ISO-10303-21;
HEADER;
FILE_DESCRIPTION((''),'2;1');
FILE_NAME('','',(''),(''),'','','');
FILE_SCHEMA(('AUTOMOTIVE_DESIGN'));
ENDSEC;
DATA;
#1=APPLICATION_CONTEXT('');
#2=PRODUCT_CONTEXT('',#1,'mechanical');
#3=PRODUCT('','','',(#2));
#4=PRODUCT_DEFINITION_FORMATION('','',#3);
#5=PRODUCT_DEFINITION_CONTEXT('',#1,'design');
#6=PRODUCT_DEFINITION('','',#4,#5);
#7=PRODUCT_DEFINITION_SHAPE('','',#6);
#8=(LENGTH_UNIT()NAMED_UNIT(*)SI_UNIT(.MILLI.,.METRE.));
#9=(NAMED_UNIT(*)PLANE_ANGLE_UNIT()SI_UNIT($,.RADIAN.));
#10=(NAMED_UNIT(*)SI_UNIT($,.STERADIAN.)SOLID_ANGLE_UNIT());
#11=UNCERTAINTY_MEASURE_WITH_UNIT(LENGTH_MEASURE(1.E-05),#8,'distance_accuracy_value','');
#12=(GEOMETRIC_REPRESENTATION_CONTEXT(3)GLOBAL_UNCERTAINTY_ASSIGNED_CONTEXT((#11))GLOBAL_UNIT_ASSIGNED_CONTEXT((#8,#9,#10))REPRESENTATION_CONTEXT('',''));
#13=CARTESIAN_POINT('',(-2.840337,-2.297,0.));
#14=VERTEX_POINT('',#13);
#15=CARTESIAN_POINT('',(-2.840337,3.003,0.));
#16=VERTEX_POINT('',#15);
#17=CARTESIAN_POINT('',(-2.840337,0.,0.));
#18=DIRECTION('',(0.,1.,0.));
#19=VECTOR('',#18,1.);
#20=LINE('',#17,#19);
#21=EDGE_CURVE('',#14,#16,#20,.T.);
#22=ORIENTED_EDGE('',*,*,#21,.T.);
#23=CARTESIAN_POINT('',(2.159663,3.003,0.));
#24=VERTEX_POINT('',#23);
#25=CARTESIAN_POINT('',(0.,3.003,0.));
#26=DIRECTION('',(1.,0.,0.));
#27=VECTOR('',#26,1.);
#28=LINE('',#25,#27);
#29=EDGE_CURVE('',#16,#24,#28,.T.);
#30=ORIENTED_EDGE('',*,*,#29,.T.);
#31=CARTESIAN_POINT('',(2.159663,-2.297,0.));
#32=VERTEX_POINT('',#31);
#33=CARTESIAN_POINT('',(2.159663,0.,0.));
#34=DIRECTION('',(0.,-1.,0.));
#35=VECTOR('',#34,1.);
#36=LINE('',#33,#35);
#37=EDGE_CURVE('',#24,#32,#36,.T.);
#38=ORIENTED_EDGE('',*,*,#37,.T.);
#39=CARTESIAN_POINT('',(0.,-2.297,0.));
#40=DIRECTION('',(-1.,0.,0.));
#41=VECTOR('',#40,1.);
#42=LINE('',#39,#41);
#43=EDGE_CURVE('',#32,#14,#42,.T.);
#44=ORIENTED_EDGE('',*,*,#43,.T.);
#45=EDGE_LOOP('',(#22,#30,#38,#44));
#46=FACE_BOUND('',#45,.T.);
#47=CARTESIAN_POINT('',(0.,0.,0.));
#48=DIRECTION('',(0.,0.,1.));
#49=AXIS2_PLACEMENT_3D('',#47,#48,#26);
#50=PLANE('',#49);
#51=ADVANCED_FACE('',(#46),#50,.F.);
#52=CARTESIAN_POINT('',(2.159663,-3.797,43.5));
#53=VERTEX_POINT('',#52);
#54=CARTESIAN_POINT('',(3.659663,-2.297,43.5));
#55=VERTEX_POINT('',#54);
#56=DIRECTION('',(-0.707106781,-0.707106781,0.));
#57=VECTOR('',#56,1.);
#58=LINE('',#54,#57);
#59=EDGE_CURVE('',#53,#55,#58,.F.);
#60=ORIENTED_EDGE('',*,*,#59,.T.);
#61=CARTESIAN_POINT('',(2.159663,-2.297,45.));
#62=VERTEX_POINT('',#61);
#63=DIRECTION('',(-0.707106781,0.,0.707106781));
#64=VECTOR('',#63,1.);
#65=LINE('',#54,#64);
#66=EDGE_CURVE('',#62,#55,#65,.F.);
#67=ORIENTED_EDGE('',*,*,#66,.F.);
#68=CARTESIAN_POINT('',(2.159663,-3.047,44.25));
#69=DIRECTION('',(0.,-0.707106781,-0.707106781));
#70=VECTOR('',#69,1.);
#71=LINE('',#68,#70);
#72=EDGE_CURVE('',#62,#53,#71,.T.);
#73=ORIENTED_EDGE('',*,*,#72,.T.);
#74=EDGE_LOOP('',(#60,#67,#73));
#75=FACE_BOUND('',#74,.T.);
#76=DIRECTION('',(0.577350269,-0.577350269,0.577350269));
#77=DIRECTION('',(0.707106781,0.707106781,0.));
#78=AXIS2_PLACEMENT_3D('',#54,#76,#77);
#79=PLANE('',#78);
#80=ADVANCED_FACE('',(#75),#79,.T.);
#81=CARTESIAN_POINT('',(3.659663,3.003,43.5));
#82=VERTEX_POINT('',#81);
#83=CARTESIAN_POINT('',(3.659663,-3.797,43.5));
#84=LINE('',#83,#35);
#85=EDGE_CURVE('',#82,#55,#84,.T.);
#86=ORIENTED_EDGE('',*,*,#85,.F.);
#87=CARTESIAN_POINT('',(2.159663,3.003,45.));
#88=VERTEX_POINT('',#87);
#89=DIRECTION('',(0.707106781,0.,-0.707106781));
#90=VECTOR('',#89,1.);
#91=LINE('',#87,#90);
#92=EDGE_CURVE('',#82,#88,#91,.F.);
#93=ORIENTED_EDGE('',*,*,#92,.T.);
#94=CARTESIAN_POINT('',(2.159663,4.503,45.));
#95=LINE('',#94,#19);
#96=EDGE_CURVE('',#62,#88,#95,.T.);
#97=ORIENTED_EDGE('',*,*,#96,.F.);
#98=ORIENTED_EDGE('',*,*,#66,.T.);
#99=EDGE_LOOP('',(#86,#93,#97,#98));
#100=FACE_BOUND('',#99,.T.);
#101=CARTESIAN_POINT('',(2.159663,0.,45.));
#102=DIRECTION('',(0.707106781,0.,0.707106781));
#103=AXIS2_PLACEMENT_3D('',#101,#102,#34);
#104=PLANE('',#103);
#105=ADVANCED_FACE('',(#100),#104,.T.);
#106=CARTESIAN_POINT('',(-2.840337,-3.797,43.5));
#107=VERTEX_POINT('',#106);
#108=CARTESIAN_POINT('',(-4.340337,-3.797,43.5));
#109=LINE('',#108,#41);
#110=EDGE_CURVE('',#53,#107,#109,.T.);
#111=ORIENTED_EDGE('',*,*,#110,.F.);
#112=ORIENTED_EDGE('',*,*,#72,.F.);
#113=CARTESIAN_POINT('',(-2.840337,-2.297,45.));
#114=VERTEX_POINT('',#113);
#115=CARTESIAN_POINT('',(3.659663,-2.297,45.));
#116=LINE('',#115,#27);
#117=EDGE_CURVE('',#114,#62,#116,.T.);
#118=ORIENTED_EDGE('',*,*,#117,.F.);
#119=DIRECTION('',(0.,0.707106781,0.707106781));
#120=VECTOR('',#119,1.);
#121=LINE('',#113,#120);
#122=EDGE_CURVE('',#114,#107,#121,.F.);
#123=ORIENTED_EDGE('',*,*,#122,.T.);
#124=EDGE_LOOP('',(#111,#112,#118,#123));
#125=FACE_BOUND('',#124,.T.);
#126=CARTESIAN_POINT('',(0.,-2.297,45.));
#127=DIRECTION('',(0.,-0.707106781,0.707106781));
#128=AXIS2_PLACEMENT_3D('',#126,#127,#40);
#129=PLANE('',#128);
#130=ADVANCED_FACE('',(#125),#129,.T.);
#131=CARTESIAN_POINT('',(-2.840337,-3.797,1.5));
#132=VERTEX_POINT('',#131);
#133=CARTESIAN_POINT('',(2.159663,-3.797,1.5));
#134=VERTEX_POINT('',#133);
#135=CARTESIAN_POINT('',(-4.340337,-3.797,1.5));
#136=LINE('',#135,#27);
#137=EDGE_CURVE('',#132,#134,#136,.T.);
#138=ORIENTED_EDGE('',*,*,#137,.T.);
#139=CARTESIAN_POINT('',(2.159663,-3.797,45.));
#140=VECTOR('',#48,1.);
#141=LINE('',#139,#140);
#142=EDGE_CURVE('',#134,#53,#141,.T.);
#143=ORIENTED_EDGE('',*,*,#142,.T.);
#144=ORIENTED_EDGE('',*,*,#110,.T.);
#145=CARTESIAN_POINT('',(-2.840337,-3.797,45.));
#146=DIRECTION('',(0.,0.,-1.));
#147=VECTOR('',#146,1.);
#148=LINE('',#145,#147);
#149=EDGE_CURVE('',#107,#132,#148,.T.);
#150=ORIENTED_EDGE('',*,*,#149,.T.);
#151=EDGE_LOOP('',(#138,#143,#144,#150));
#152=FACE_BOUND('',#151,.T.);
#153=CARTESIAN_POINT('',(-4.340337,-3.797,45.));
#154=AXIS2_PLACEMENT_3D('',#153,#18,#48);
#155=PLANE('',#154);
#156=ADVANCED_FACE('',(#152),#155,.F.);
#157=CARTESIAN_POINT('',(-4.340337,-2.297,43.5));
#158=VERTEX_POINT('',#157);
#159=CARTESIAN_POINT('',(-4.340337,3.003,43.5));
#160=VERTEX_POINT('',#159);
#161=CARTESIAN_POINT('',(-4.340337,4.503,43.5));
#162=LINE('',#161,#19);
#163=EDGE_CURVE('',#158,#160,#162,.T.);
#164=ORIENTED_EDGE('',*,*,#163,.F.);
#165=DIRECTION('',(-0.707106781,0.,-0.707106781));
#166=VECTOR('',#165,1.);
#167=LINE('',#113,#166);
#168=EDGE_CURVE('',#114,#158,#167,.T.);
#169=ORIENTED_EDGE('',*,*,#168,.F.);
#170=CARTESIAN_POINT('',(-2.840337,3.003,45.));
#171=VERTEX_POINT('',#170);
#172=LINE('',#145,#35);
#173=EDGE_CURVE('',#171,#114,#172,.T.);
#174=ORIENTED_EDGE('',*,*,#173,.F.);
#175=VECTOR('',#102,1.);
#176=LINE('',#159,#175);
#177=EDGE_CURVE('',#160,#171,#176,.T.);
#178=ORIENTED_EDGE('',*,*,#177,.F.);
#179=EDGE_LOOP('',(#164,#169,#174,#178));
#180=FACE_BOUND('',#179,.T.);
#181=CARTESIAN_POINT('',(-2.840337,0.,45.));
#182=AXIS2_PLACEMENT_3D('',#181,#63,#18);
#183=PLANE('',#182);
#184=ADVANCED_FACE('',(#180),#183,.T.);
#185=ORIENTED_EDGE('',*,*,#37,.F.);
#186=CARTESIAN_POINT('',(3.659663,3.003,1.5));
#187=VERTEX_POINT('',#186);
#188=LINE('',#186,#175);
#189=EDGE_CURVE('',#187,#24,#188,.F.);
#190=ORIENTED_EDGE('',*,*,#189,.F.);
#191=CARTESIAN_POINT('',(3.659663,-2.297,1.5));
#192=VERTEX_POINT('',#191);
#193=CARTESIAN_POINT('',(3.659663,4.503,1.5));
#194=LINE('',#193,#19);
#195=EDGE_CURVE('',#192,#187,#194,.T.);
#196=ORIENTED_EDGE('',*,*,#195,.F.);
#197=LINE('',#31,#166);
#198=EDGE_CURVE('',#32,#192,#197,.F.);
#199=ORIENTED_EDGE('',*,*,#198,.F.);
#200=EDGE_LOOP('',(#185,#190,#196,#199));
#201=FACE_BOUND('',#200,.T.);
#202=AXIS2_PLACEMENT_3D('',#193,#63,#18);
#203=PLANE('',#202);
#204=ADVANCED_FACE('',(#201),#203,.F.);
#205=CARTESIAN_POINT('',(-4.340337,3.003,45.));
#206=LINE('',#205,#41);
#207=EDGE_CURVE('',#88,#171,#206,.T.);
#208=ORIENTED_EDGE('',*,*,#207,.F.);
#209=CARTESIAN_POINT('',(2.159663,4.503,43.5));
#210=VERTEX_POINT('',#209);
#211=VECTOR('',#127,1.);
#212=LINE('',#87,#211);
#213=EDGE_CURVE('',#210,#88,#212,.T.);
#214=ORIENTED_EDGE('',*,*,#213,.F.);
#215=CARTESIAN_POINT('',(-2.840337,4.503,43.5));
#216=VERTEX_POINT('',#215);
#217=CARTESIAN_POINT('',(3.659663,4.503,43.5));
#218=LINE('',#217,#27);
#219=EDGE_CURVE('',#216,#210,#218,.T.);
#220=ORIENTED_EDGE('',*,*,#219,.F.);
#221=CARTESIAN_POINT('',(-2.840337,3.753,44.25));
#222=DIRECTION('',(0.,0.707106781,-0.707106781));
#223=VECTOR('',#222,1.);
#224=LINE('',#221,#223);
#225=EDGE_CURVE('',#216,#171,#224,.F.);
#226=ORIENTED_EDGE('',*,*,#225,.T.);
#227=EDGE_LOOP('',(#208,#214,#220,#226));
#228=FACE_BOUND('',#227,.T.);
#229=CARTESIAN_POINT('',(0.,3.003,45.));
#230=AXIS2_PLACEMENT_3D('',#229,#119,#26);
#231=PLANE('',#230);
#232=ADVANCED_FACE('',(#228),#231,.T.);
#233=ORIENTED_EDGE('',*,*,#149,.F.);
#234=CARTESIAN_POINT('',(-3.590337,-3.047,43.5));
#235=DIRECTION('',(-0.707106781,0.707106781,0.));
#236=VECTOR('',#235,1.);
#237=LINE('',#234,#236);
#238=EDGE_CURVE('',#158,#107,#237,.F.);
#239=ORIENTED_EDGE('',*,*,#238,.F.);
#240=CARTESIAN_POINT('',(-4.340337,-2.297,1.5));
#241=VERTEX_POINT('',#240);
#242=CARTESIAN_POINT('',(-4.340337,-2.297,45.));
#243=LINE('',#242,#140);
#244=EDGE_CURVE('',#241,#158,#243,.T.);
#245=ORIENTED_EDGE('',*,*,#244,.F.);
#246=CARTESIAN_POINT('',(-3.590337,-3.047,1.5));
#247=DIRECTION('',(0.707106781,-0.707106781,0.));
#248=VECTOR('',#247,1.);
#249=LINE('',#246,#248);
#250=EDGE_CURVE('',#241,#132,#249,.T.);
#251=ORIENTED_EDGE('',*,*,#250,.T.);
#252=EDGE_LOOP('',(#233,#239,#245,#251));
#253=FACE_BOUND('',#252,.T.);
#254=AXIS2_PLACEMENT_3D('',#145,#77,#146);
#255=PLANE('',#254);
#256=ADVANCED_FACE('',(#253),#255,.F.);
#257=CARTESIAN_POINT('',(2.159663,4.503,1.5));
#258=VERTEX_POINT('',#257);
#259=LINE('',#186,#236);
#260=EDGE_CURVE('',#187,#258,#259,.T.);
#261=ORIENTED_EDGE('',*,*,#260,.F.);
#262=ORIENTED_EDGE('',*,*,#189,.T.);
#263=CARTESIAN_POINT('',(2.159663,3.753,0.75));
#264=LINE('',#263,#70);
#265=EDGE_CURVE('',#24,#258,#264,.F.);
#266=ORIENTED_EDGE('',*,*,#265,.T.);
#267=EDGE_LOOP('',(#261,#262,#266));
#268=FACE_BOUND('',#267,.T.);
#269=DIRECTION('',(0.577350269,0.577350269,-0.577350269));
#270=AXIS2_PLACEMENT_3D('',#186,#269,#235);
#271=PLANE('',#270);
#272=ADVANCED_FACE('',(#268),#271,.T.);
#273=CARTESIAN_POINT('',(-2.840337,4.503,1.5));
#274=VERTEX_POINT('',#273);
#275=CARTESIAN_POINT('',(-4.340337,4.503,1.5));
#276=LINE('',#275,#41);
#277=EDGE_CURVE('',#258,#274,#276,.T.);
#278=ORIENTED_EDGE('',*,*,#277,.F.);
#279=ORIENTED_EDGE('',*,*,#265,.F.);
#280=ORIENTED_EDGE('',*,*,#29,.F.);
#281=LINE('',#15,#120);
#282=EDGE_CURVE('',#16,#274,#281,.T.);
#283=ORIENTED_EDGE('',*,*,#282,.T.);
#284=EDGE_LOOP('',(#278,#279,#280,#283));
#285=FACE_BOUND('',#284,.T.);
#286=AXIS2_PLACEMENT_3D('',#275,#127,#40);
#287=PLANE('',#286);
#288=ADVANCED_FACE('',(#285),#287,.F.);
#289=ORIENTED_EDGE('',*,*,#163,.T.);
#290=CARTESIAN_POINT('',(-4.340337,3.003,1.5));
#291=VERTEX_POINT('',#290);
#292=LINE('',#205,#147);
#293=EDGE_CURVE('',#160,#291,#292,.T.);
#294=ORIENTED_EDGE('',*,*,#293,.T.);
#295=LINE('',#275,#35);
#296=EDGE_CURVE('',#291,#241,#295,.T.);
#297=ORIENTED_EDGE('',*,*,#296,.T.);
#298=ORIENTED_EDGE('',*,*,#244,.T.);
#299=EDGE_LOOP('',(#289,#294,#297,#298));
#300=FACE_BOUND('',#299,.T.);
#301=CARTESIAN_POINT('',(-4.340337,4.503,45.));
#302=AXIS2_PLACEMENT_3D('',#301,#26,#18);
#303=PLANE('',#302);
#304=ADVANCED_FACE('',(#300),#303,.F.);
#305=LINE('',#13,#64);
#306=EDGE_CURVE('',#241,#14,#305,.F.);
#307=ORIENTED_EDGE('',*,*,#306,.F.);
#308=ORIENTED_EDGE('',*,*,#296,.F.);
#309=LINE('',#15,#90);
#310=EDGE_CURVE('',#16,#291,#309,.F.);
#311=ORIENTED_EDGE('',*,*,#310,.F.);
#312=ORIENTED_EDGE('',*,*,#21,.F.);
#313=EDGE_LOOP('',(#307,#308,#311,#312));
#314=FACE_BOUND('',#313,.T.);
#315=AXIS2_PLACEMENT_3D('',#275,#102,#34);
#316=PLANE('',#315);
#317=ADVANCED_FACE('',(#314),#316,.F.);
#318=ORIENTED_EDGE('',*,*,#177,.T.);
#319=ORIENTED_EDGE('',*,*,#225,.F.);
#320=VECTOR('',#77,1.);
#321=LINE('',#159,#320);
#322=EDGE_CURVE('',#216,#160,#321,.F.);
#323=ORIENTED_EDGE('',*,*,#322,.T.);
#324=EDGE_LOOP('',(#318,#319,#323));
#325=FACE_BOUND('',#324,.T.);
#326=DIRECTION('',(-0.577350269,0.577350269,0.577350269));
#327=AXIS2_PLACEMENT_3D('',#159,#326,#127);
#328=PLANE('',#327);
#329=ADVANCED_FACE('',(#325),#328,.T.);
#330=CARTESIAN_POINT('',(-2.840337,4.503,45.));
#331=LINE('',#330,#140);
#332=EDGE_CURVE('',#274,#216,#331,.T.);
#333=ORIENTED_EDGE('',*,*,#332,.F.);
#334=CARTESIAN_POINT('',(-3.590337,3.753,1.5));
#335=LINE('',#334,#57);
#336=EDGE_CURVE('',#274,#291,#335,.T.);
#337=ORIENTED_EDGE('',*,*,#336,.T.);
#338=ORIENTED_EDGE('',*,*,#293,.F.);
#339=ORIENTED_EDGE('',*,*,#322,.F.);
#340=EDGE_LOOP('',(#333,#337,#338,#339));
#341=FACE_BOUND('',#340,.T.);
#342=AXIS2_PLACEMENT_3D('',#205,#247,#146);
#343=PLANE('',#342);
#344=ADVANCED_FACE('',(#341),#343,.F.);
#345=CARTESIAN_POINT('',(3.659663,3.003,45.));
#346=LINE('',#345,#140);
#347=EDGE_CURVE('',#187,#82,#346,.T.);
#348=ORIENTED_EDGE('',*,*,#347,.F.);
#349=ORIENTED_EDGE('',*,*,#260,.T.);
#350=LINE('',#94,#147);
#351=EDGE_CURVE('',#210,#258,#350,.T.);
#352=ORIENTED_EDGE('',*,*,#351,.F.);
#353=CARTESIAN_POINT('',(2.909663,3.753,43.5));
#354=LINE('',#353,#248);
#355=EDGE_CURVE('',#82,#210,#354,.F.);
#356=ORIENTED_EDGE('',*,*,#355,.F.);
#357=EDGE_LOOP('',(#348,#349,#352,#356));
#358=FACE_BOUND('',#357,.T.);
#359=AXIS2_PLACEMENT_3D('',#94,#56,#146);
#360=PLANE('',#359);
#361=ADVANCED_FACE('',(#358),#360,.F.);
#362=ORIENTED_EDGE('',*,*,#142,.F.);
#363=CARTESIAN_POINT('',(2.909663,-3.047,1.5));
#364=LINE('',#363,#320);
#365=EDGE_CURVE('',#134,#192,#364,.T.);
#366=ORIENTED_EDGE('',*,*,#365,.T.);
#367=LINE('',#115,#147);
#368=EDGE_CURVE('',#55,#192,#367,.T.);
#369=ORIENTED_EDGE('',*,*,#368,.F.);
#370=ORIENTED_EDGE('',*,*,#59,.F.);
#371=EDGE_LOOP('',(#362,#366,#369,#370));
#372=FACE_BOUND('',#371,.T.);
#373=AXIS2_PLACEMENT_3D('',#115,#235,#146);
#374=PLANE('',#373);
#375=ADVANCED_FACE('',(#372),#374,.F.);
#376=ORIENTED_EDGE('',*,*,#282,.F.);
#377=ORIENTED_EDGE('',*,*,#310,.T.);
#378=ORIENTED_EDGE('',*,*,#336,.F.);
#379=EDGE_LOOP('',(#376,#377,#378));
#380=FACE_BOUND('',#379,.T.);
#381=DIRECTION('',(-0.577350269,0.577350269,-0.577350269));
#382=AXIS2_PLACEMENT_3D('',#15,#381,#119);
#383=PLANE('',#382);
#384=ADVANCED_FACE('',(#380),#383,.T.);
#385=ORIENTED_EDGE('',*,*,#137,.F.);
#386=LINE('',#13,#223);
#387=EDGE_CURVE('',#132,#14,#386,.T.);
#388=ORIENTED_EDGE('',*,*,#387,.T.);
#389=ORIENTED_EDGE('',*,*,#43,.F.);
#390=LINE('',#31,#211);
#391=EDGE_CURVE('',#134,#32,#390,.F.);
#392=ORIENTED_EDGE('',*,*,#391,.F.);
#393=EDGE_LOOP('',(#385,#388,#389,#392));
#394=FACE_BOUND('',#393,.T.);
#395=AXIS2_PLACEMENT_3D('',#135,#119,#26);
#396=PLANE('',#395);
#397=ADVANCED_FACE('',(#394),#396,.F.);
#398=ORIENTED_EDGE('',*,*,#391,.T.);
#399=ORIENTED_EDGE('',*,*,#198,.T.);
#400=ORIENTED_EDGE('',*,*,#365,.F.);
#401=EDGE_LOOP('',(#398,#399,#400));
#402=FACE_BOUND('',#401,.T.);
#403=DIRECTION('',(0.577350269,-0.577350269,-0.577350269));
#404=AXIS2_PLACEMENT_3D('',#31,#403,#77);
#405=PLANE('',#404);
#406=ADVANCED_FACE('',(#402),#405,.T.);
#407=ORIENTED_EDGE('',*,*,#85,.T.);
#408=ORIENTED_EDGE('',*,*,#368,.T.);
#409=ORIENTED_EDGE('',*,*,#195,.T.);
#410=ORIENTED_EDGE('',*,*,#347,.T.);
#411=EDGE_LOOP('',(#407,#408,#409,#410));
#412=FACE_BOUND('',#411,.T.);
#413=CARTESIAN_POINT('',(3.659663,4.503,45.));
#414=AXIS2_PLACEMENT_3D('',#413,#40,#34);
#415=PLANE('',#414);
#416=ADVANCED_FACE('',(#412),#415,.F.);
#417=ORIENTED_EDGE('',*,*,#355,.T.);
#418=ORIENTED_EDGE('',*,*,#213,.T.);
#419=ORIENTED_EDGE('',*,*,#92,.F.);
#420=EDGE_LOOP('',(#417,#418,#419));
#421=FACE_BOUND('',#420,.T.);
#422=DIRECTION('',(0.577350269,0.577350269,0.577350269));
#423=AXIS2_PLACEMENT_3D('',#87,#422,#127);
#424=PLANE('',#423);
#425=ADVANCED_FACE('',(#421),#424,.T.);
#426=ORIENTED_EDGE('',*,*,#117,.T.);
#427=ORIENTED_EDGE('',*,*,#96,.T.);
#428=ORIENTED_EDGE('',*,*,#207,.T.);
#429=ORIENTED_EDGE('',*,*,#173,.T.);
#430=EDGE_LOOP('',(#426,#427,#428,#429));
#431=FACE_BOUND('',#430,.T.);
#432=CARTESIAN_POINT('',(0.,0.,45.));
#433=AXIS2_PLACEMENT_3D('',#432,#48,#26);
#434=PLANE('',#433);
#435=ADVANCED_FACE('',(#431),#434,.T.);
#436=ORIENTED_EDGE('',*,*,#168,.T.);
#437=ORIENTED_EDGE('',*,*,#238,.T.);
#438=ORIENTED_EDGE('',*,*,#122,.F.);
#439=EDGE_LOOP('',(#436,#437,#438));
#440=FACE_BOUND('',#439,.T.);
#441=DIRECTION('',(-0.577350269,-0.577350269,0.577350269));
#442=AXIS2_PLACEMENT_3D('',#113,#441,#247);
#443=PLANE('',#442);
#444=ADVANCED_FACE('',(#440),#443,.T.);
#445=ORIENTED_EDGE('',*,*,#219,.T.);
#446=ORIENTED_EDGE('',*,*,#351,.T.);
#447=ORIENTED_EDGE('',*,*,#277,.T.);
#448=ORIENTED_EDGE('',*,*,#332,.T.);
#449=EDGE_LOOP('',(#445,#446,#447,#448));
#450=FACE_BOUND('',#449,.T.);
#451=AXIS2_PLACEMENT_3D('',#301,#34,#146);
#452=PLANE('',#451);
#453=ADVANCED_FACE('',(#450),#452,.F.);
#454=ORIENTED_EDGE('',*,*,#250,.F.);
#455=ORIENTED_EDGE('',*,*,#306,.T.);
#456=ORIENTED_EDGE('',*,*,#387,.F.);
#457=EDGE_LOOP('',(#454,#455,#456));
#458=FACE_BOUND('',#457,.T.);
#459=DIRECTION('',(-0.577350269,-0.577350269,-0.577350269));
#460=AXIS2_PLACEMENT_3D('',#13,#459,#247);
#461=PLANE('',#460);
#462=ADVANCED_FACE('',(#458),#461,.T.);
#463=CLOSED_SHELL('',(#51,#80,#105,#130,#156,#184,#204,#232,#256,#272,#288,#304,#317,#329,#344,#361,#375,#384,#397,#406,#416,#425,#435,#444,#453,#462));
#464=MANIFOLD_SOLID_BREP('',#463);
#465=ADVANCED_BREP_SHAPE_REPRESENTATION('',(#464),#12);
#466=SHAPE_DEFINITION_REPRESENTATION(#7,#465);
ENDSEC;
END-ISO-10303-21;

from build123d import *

# Parameters (mm, degrees)
SKETCH1_W           = 8
SKETCH1_H           = 8.3
BOSS_EXTRUDE1_DEPTH = 45
CHAMFER1_SIZE       = 1.5


with BuildPart() as part:
    # Sketch1 → Boss-Extrude1 (new body)
    with BuildSketch(Plane.XY):
        with Locations((-0.340337416, 0.353)):
            Rectangle(SKETCH1_W, SKETCH1_H)
    extrude(amount=BOSS_EXTRUDE1_DEPTH)

    # Chamfer1
    chamfer1_edges = [part.edges().sort_by_distance(p)[0] for p in [
        (3.659662584, 0.353, 45),
        (-0.340337416, 4.503, 45),
        (-4.340337416, 0.353, 45),
        (-0.340337416, 4.503, 0),
        (3.659662584, 0.353, 0),
        (-0.340337416, -3.797, 0),
        (-4.340337416, 0.353, 0),
        (-4.340337416, 4.503, 22.5),
        (3.659662584, 4.503, 22.5),
        (3.659662584, -3.797, 22.5),
        (-4.340337416, -3.797, 22.5),
        (-0.340337416, -3.797, 45),
    ]]
    chamfer(chamfer1_edges, length=CHAMFER1_SIZE)


solid = part.part
